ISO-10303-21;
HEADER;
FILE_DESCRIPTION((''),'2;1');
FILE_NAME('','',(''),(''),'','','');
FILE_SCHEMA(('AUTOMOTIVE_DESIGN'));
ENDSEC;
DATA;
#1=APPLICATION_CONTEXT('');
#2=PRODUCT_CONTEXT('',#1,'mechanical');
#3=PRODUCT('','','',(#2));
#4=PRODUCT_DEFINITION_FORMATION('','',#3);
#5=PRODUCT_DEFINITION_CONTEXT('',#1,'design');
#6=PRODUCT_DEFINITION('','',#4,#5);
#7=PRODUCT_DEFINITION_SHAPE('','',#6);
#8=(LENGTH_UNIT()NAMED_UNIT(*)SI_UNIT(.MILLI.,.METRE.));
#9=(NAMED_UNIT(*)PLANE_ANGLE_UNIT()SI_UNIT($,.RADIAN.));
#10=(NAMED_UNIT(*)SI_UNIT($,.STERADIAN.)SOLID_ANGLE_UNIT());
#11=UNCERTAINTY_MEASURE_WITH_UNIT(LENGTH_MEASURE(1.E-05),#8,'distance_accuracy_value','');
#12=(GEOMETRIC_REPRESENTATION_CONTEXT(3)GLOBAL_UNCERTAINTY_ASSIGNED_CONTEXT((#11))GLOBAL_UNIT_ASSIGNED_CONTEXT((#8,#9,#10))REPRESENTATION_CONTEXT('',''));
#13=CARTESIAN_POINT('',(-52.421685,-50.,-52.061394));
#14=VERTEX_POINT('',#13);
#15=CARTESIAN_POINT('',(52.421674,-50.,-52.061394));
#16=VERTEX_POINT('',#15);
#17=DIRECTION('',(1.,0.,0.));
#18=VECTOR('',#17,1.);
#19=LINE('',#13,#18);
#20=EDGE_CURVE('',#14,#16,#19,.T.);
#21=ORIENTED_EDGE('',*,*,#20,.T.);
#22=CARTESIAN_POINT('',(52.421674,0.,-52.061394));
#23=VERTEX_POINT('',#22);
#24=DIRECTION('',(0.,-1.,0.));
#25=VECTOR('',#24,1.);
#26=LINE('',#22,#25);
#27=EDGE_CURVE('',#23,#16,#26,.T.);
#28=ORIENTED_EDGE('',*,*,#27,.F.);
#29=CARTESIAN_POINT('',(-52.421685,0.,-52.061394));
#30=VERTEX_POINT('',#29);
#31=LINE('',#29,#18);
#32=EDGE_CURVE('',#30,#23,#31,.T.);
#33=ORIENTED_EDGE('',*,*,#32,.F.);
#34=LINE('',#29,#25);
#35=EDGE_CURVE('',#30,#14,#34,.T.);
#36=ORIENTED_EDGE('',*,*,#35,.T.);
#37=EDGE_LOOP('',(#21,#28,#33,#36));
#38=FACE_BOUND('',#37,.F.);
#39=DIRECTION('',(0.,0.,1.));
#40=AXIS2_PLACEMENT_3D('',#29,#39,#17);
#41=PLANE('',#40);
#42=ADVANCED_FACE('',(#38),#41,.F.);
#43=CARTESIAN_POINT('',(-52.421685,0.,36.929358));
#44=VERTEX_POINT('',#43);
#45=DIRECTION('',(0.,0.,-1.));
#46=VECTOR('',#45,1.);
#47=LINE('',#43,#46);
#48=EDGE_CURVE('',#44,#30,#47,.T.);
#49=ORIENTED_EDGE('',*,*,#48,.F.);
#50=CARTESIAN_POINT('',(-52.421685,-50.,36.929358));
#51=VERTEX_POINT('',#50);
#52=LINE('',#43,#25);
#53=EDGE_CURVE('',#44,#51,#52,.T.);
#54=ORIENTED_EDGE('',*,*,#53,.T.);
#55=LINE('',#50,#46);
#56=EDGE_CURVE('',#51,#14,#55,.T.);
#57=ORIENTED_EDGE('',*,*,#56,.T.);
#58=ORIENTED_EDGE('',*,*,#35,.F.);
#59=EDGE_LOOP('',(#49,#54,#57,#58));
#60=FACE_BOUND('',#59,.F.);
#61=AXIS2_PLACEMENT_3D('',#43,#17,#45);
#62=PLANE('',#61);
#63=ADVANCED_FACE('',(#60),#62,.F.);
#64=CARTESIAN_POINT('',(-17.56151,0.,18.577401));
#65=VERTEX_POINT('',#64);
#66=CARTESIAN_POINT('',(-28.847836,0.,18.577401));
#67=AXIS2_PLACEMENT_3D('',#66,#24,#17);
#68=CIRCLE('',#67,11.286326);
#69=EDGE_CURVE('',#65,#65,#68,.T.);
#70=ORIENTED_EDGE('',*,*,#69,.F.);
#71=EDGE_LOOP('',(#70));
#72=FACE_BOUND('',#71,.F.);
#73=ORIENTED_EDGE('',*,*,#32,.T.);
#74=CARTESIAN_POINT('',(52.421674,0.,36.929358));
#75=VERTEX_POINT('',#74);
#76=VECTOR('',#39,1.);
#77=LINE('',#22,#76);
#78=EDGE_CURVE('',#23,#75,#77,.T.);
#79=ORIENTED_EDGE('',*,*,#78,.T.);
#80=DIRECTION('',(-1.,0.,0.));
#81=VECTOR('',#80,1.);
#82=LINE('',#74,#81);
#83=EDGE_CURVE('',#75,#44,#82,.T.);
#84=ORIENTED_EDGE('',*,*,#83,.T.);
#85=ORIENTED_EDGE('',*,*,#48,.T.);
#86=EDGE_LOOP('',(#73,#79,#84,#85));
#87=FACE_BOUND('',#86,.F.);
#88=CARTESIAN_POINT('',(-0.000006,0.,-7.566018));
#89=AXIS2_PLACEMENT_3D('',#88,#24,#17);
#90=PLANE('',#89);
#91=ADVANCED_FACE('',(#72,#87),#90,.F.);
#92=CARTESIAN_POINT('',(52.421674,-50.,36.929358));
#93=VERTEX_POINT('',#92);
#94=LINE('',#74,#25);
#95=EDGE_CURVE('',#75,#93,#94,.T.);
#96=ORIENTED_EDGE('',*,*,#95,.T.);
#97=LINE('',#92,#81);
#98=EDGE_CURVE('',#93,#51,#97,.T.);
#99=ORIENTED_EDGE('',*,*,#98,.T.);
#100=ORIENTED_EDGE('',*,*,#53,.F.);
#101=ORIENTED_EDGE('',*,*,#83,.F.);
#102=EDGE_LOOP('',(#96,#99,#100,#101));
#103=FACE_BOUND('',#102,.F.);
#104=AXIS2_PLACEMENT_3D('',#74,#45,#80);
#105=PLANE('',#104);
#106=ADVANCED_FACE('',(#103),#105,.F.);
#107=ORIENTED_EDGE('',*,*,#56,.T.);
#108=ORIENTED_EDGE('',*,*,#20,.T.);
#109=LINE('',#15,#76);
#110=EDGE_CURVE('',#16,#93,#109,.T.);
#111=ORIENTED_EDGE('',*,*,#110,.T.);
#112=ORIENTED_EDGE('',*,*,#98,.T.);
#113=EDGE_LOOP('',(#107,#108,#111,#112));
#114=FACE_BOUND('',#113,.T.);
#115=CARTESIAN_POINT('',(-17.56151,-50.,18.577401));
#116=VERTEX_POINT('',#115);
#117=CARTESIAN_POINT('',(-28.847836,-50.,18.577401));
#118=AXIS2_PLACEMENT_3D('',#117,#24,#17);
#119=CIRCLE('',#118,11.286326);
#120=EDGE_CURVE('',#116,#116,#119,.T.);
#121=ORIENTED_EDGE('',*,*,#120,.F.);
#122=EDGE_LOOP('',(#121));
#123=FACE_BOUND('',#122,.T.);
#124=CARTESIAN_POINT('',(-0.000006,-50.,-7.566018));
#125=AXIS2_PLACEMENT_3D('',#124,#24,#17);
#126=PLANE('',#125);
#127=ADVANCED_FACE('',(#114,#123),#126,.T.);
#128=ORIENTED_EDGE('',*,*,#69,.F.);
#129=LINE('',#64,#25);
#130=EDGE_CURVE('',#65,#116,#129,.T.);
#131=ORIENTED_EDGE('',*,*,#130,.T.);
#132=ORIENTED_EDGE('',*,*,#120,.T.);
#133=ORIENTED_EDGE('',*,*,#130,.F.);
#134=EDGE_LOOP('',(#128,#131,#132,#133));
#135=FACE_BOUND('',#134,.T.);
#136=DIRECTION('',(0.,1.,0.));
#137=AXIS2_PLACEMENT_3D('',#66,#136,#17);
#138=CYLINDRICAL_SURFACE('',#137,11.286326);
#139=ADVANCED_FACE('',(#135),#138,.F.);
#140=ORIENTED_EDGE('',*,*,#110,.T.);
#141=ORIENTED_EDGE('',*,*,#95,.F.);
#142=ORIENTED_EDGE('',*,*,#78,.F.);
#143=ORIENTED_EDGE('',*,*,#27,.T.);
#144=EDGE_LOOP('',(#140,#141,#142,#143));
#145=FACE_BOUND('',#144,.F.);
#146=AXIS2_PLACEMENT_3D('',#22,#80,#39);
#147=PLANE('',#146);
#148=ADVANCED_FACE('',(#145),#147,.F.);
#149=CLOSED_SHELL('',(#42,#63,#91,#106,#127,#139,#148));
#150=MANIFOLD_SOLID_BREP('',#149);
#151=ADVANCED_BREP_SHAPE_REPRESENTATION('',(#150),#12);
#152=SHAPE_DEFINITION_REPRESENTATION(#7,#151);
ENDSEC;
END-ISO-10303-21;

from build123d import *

# Parameters (mm, degrees)
F0_R     = 11.286326
F1_DEPTH = 50
F2_DEPTH = 25


with BuildPart() as f1:
    # F0 (on Front) → F1 (new body)
    with BuildSketch(Plane.XZ):
        Polygon((-12.432705, 36.929358), (-52.421685, 36.929358), (-52.421685, -52.061394), (52.421674, -52.061394), (52.421674, 36.929358), (-12.429886, 36.929358), align=None)
        with Locations((-28.847836, 18.577401)):
            Circle(F0_R, mode=Mode.SUBTRACT)
    extrude(amount=F1_DEPTH)

    # F0 (on Front) → F2 (cut)
    with BuildSketch(Plane.XZ):
        with Locations((-28.847836, 18.577401)):
            Circle(F0_R)
    extrude(amount=-F2_DEPTH, mode=Mode.SUBTRACT)


solid = f1.part
